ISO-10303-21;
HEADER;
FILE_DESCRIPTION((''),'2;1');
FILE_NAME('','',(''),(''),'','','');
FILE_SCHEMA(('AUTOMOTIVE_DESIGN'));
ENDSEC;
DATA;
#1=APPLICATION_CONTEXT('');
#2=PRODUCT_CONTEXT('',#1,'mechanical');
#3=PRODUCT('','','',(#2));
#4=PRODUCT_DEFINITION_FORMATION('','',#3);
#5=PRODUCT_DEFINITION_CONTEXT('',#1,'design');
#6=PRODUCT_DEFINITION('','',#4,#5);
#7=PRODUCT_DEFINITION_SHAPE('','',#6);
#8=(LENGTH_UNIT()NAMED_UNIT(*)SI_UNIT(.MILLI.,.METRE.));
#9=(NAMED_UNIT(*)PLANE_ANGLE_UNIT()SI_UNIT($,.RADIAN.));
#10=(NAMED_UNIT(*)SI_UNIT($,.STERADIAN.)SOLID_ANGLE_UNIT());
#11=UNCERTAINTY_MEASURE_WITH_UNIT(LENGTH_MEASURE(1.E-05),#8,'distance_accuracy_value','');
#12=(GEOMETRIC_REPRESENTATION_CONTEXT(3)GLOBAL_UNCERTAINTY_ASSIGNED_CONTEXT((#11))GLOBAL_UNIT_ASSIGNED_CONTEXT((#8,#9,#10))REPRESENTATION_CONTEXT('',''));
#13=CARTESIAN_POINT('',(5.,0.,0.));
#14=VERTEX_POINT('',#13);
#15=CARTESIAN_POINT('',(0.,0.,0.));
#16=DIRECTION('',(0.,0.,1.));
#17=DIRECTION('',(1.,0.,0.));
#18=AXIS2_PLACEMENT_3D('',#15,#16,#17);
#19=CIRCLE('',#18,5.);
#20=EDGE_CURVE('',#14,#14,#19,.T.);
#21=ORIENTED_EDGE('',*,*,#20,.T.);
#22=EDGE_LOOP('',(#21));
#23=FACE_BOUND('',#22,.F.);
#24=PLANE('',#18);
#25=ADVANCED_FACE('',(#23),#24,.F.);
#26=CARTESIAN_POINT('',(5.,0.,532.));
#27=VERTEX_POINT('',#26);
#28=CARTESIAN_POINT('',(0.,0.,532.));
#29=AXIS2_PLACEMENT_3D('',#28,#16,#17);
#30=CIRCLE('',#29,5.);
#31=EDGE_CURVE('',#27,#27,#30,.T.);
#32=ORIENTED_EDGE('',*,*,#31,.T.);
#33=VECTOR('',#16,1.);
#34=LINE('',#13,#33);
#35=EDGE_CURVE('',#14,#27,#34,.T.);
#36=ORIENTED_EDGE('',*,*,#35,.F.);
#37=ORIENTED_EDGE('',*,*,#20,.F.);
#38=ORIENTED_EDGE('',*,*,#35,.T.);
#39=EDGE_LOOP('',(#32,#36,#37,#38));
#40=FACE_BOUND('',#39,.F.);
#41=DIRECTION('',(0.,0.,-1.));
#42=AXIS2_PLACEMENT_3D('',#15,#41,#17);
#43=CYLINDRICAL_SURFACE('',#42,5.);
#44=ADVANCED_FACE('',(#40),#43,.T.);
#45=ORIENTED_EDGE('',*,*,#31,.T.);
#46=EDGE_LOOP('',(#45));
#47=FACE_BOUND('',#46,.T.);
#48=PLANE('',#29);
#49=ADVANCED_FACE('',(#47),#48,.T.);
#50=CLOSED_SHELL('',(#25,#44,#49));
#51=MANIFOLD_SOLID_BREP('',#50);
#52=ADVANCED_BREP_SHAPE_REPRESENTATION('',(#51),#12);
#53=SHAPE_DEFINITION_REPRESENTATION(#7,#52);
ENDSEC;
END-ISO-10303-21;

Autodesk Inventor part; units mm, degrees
ref_plane "YZ Plane" through (0, 0, 0) normal (1, 0, 0) x (0, 1, 0)
ref_plane "XZ Plane" through (0, 0, 0) normal (0, 1, 0) x (-1, 0, 0)
ref_plane "XY Plane" through (0, 0, 0) normal (0, 0, 1) x (1, 0, 0)
sketch "Skizze1" plane through (0, 0, 0) normal (0, 0, 1) x (1, 0, 0)
  circle A0 centre (0, 0) radius 5
  dimension "d0" = 10
extrude "Extrusion1" add sketch "Skizze1" along normal blind 532
properties part number "Stange" material "Stahl, unlegiert"
